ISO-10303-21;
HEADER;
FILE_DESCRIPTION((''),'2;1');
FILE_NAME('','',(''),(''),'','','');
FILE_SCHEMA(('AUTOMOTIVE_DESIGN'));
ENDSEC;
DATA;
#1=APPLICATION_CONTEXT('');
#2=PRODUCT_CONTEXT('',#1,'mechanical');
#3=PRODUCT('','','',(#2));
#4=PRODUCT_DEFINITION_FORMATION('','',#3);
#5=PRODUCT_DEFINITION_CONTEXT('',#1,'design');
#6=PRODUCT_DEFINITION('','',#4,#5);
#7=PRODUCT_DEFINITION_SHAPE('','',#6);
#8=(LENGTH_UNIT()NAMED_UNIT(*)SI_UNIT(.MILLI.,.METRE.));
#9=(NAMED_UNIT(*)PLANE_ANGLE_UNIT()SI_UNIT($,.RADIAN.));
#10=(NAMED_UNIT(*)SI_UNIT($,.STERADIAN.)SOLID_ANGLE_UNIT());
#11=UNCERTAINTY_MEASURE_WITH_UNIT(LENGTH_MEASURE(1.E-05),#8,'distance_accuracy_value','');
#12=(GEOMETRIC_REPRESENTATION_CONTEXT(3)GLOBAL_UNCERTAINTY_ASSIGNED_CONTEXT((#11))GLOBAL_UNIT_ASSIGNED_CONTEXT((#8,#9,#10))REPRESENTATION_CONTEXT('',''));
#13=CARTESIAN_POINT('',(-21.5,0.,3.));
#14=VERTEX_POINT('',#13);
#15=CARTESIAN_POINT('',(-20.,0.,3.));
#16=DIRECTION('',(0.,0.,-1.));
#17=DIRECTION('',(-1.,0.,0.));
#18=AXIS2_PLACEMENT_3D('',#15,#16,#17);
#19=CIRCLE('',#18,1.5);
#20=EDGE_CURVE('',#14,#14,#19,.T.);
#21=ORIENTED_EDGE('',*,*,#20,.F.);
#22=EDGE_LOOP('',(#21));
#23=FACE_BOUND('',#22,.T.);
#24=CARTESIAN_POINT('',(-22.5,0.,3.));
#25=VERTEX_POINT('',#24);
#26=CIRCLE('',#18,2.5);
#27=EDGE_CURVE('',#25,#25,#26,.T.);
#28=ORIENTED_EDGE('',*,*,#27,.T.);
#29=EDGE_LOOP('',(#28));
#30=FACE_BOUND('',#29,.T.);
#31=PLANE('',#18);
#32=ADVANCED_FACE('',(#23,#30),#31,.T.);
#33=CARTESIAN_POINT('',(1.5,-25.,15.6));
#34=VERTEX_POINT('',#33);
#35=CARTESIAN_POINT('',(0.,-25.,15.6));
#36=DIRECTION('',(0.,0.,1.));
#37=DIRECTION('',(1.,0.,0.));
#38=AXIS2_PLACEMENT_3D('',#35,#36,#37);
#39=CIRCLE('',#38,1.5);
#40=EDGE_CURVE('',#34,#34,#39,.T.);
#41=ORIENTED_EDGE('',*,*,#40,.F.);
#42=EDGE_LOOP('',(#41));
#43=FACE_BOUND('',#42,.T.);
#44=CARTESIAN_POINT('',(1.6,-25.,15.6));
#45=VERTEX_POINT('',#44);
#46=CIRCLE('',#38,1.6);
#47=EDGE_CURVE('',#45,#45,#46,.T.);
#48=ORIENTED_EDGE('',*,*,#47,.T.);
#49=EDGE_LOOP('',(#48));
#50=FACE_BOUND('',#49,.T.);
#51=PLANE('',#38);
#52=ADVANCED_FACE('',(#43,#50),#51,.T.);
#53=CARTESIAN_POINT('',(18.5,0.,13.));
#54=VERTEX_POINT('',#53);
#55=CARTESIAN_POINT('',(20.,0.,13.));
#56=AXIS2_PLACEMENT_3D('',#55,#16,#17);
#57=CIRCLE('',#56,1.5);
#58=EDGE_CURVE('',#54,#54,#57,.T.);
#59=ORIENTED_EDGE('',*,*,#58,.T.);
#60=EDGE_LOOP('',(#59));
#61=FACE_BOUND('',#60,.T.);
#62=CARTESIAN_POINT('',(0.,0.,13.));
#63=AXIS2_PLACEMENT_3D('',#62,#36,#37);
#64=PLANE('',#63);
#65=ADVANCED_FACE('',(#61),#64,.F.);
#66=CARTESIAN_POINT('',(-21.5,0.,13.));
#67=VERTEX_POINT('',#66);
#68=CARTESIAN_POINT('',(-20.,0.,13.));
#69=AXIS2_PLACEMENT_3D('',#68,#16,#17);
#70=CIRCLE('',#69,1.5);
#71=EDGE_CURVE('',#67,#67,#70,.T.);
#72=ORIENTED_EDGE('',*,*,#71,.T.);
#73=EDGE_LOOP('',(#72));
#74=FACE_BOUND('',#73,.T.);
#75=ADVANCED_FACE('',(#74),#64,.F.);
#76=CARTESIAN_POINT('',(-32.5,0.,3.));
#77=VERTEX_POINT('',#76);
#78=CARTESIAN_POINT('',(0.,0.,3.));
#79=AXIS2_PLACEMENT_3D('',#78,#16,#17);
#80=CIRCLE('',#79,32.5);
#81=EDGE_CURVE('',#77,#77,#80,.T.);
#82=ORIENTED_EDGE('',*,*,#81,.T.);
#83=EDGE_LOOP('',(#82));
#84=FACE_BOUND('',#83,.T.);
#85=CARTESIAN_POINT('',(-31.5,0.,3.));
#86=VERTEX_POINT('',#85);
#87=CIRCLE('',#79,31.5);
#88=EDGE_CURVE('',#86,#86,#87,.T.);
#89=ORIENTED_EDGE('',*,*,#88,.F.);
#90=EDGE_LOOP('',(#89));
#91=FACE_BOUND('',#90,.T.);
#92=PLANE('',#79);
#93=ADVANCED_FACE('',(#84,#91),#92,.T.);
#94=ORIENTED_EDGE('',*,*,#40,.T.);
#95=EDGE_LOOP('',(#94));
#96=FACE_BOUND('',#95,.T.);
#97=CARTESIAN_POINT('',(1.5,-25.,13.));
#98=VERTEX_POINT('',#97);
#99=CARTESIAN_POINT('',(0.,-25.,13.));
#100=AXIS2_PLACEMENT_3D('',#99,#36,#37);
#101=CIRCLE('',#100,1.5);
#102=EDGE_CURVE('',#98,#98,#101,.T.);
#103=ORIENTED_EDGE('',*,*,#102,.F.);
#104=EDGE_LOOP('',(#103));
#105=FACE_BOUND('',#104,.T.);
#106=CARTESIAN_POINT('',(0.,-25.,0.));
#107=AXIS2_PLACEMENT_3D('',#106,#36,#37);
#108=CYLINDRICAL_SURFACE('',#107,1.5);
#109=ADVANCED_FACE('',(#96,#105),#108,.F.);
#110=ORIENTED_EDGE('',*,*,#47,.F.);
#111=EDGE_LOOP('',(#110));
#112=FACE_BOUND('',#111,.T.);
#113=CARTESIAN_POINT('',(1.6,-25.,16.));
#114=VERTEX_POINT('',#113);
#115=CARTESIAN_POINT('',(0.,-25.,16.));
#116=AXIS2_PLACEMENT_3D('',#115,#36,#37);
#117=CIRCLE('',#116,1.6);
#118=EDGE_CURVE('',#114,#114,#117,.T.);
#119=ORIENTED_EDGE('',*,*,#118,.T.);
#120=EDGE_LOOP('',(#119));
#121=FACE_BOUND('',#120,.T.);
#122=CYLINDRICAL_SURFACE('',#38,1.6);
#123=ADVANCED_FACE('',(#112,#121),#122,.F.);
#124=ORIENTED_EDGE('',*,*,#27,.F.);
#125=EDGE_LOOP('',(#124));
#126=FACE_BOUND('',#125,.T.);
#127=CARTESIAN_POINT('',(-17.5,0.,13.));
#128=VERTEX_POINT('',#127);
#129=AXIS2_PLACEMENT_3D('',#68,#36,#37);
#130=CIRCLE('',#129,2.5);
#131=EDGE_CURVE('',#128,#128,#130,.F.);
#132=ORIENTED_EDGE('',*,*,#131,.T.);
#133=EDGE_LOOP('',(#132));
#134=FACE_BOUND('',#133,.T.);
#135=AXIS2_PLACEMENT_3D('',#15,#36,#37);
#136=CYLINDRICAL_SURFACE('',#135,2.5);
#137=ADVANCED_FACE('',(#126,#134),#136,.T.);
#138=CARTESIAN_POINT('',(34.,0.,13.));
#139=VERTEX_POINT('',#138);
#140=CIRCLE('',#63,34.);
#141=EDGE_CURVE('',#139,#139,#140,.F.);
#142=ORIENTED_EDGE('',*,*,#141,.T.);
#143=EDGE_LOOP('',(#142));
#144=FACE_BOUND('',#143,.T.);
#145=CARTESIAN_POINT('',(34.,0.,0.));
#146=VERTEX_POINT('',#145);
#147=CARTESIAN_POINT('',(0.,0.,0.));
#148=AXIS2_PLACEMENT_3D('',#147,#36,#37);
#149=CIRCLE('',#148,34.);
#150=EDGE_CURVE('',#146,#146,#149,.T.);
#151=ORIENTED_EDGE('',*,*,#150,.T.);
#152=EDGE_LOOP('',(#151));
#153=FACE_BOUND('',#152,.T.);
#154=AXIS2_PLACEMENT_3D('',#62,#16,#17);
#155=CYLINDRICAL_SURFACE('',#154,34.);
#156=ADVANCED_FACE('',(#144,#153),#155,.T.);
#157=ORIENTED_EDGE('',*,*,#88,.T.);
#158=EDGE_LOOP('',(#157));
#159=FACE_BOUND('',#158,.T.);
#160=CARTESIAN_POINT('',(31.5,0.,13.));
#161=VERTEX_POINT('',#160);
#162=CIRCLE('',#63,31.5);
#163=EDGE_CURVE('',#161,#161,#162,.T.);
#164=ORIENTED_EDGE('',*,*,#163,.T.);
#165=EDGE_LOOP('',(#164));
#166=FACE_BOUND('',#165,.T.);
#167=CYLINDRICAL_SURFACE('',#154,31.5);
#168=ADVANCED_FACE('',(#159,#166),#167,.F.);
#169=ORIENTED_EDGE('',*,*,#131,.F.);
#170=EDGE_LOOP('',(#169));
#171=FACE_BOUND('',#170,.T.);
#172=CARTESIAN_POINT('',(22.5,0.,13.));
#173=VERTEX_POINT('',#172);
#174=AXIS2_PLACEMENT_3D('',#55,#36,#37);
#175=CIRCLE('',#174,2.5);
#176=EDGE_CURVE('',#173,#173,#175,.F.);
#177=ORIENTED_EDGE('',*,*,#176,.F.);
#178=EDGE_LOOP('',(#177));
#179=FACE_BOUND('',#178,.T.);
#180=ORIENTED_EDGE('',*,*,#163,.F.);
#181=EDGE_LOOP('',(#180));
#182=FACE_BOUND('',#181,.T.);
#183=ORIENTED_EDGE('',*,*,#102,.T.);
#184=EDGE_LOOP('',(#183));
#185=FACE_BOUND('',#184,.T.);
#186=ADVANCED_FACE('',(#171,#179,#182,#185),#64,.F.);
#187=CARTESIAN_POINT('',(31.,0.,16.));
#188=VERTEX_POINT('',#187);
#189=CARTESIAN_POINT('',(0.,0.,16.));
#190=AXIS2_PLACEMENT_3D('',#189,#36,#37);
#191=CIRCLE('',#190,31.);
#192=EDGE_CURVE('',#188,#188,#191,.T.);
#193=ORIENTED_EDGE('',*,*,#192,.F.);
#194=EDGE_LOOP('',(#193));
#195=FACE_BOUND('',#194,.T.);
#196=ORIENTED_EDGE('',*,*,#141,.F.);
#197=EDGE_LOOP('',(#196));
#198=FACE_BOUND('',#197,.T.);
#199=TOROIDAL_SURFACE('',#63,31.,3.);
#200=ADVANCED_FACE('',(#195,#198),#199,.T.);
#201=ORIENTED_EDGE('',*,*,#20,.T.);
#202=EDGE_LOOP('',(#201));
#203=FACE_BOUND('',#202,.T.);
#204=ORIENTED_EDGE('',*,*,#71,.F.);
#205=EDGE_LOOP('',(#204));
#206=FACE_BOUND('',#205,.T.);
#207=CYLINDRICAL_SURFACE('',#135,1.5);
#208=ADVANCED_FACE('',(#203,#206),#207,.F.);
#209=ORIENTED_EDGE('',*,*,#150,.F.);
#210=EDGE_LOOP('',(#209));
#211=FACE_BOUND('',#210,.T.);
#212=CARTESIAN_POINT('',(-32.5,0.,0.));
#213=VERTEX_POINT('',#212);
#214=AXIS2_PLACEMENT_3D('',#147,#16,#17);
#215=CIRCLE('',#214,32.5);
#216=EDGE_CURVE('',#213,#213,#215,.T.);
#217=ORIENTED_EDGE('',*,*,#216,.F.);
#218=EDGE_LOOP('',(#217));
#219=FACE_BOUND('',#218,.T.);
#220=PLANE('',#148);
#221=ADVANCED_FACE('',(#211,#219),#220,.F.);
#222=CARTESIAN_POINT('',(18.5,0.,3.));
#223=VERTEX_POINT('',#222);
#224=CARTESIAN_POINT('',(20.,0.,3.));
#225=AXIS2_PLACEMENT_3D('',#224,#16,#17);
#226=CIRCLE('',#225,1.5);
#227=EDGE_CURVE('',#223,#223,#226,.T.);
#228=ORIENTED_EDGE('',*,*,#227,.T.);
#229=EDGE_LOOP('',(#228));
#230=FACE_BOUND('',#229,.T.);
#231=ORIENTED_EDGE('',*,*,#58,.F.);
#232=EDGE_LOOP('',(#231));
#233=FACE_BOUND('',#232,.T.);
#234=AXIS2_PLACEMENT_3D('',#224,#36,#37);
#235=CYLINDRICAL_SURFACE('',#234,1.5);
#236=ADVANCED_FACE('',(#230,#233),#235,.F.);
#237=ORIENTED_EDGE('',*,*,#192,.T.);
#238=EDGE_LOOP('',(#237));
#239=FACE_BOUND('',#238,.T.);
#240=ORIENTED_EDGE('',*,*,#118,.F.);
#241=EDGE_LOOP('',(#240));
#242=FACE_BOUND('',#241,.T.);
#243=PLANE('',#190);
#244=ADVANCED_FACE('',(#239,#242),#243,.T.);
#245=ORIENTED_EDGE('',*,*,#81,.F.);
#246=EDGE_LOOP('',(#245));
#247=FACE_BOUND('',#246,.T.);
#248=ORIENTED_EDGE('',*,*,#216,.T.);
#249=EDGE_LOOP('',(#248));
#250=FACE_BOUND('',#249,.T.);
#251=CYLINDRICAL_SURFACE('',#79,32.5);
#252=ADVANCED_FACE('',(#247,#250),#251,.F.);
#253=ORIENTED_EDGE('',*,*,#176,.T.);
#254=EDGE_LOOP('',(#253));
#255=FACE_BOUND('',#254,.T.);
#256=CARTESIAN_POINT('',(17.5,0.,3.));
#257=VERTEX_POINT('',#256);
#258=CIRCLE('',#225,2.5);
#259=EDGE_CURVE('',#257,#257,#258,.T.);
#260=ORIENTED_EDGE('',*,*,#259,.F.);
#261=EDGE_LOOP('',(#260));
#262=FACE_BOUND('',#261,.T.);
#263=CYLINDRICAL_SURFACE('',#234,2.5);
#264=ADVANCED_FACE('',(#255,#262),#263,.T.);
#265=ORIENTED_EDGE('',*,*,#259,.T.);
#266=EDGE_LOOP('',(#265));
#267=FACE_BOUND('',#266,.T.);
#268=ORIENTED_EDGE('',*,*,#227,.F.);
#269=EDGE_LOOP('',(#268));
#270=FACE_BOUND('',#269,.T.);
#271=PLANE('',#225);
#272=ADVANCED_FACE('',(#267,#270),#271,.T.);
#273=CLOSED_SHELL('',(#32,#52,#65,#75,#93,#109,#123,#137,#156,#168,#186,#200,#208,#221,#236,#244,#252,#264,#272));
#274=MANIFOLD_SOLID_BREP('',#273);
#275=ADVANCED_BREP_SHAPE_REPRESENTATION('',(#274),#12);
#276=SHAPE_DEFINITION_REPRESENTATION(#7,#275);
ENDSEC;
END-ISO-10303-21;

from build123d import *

# Parameters (mm, degrees)
SKETCH1_R           = 34
SKETCH1_R_2         = 31.5
BOSS_EXTRUDE1_DEPTH = 13
SKETCH2_R           = 34
BOSS_EXTRUDE2_DEPTH = 3
FILLET1_R           = 3
SKETCH3_R           = 2.5
SKETCH3_R_2         = 1.5
BOSS_EXTRUDE3_DEPTH = 10
SKETCH5_R           = 32.5
SKETCH5_R_2         = 31.5
CUT_EXTRUDE1_DEPTH  = 3
SKETCH6_R           = 1.6
CUT_EXTRUDE2_DEPTH  = 0.4
SKETCH7_R           = 1.5
CUT_EXTRUDE3_DEPTH  = 16.6


with BuildPart() as part:
    # Sketch1 → Boss-Extrude1 (new body)
    with BuildSketch(Plane.XY):
        Circle(SKETCH1_R)
        Circle(SKETCH1_R_2, mode=Mode.SUBTRACT)
    extrude(amount=BOSS_EXTRUDE1_DEPTH)

    # Sketch2 → Boss-Extrude2 (add)
    with BuildSketch(Plane.XY.offset(13)):
        Circle(SKETCH2_R)
    extrude(amount=BOSS_EXTRUDE2_DEPTH)

    # Fillet1
    fillet1_edges = [part.edges().sort_by_distance(p)[0] for p in [
        (-34, 0, 16),
    ]]
    fillet(fillet1_edges, radius=FILLET1_R)

    # Sketch3 → Boss-Extrude3 (add)
    with BuildSketch(Plane(origin=(0, 0, 13), x_dir=(-1, 0, 0), z_dir=(0, 0, -1))):
        with Locations((-20, 0)):
            Circle(SKETCH3_R)
        with Locations((-20, 0)):
            Circle(SKETCH3_R_2, mode=Mode.SUBTRACT)
        with Locations((20, 0)):
            Circle(SKETCH3_R)
        with Locations((20, 0)):
            Circle(SKETCH3_R_2, mode=Mode.SUBTRACT)
    extrude(amount=BOSS_EXTRUDE3_DEPTH)

    # Sketch5 → Cut-Extrude1 (cut)
    with BuildSketch(Plane(origin=(0, 0, 0), x_dir=(-1, 0, 0), z_dir=(0, 0, -1))):
        Circle(SKETCH5_R)
        Circle(SKETCH5_R_2, mode=Mode.SUBTRACT)
    extrude(amount=-CUT_EXTRUDE1_DEPTH, mode=Mode.SUBTRACT)

    # Sketch6 → Cut-Extrude2 (cut)
    with BuildSketch(Plane.XY.offset(16)):
        with Locations((0, -25)):
            Circle(SKETCH6_R)
    extrude(amount=-CUT_EXTRUDE2_DEPTH, mode=Mode.SUBTRACT)

    # Sketch7 → Cut-Extrude3 (cut, through all)
    with BuildSketch(Plane.XY.offset(15.6)):
        with Locations((0, -25)):
            Circle(SKETCH7_R)
    extrude(amount=-CUT_EXTRUDE3_DEPTH, mode=Mode.SUBTRACT)


solid = part.part
